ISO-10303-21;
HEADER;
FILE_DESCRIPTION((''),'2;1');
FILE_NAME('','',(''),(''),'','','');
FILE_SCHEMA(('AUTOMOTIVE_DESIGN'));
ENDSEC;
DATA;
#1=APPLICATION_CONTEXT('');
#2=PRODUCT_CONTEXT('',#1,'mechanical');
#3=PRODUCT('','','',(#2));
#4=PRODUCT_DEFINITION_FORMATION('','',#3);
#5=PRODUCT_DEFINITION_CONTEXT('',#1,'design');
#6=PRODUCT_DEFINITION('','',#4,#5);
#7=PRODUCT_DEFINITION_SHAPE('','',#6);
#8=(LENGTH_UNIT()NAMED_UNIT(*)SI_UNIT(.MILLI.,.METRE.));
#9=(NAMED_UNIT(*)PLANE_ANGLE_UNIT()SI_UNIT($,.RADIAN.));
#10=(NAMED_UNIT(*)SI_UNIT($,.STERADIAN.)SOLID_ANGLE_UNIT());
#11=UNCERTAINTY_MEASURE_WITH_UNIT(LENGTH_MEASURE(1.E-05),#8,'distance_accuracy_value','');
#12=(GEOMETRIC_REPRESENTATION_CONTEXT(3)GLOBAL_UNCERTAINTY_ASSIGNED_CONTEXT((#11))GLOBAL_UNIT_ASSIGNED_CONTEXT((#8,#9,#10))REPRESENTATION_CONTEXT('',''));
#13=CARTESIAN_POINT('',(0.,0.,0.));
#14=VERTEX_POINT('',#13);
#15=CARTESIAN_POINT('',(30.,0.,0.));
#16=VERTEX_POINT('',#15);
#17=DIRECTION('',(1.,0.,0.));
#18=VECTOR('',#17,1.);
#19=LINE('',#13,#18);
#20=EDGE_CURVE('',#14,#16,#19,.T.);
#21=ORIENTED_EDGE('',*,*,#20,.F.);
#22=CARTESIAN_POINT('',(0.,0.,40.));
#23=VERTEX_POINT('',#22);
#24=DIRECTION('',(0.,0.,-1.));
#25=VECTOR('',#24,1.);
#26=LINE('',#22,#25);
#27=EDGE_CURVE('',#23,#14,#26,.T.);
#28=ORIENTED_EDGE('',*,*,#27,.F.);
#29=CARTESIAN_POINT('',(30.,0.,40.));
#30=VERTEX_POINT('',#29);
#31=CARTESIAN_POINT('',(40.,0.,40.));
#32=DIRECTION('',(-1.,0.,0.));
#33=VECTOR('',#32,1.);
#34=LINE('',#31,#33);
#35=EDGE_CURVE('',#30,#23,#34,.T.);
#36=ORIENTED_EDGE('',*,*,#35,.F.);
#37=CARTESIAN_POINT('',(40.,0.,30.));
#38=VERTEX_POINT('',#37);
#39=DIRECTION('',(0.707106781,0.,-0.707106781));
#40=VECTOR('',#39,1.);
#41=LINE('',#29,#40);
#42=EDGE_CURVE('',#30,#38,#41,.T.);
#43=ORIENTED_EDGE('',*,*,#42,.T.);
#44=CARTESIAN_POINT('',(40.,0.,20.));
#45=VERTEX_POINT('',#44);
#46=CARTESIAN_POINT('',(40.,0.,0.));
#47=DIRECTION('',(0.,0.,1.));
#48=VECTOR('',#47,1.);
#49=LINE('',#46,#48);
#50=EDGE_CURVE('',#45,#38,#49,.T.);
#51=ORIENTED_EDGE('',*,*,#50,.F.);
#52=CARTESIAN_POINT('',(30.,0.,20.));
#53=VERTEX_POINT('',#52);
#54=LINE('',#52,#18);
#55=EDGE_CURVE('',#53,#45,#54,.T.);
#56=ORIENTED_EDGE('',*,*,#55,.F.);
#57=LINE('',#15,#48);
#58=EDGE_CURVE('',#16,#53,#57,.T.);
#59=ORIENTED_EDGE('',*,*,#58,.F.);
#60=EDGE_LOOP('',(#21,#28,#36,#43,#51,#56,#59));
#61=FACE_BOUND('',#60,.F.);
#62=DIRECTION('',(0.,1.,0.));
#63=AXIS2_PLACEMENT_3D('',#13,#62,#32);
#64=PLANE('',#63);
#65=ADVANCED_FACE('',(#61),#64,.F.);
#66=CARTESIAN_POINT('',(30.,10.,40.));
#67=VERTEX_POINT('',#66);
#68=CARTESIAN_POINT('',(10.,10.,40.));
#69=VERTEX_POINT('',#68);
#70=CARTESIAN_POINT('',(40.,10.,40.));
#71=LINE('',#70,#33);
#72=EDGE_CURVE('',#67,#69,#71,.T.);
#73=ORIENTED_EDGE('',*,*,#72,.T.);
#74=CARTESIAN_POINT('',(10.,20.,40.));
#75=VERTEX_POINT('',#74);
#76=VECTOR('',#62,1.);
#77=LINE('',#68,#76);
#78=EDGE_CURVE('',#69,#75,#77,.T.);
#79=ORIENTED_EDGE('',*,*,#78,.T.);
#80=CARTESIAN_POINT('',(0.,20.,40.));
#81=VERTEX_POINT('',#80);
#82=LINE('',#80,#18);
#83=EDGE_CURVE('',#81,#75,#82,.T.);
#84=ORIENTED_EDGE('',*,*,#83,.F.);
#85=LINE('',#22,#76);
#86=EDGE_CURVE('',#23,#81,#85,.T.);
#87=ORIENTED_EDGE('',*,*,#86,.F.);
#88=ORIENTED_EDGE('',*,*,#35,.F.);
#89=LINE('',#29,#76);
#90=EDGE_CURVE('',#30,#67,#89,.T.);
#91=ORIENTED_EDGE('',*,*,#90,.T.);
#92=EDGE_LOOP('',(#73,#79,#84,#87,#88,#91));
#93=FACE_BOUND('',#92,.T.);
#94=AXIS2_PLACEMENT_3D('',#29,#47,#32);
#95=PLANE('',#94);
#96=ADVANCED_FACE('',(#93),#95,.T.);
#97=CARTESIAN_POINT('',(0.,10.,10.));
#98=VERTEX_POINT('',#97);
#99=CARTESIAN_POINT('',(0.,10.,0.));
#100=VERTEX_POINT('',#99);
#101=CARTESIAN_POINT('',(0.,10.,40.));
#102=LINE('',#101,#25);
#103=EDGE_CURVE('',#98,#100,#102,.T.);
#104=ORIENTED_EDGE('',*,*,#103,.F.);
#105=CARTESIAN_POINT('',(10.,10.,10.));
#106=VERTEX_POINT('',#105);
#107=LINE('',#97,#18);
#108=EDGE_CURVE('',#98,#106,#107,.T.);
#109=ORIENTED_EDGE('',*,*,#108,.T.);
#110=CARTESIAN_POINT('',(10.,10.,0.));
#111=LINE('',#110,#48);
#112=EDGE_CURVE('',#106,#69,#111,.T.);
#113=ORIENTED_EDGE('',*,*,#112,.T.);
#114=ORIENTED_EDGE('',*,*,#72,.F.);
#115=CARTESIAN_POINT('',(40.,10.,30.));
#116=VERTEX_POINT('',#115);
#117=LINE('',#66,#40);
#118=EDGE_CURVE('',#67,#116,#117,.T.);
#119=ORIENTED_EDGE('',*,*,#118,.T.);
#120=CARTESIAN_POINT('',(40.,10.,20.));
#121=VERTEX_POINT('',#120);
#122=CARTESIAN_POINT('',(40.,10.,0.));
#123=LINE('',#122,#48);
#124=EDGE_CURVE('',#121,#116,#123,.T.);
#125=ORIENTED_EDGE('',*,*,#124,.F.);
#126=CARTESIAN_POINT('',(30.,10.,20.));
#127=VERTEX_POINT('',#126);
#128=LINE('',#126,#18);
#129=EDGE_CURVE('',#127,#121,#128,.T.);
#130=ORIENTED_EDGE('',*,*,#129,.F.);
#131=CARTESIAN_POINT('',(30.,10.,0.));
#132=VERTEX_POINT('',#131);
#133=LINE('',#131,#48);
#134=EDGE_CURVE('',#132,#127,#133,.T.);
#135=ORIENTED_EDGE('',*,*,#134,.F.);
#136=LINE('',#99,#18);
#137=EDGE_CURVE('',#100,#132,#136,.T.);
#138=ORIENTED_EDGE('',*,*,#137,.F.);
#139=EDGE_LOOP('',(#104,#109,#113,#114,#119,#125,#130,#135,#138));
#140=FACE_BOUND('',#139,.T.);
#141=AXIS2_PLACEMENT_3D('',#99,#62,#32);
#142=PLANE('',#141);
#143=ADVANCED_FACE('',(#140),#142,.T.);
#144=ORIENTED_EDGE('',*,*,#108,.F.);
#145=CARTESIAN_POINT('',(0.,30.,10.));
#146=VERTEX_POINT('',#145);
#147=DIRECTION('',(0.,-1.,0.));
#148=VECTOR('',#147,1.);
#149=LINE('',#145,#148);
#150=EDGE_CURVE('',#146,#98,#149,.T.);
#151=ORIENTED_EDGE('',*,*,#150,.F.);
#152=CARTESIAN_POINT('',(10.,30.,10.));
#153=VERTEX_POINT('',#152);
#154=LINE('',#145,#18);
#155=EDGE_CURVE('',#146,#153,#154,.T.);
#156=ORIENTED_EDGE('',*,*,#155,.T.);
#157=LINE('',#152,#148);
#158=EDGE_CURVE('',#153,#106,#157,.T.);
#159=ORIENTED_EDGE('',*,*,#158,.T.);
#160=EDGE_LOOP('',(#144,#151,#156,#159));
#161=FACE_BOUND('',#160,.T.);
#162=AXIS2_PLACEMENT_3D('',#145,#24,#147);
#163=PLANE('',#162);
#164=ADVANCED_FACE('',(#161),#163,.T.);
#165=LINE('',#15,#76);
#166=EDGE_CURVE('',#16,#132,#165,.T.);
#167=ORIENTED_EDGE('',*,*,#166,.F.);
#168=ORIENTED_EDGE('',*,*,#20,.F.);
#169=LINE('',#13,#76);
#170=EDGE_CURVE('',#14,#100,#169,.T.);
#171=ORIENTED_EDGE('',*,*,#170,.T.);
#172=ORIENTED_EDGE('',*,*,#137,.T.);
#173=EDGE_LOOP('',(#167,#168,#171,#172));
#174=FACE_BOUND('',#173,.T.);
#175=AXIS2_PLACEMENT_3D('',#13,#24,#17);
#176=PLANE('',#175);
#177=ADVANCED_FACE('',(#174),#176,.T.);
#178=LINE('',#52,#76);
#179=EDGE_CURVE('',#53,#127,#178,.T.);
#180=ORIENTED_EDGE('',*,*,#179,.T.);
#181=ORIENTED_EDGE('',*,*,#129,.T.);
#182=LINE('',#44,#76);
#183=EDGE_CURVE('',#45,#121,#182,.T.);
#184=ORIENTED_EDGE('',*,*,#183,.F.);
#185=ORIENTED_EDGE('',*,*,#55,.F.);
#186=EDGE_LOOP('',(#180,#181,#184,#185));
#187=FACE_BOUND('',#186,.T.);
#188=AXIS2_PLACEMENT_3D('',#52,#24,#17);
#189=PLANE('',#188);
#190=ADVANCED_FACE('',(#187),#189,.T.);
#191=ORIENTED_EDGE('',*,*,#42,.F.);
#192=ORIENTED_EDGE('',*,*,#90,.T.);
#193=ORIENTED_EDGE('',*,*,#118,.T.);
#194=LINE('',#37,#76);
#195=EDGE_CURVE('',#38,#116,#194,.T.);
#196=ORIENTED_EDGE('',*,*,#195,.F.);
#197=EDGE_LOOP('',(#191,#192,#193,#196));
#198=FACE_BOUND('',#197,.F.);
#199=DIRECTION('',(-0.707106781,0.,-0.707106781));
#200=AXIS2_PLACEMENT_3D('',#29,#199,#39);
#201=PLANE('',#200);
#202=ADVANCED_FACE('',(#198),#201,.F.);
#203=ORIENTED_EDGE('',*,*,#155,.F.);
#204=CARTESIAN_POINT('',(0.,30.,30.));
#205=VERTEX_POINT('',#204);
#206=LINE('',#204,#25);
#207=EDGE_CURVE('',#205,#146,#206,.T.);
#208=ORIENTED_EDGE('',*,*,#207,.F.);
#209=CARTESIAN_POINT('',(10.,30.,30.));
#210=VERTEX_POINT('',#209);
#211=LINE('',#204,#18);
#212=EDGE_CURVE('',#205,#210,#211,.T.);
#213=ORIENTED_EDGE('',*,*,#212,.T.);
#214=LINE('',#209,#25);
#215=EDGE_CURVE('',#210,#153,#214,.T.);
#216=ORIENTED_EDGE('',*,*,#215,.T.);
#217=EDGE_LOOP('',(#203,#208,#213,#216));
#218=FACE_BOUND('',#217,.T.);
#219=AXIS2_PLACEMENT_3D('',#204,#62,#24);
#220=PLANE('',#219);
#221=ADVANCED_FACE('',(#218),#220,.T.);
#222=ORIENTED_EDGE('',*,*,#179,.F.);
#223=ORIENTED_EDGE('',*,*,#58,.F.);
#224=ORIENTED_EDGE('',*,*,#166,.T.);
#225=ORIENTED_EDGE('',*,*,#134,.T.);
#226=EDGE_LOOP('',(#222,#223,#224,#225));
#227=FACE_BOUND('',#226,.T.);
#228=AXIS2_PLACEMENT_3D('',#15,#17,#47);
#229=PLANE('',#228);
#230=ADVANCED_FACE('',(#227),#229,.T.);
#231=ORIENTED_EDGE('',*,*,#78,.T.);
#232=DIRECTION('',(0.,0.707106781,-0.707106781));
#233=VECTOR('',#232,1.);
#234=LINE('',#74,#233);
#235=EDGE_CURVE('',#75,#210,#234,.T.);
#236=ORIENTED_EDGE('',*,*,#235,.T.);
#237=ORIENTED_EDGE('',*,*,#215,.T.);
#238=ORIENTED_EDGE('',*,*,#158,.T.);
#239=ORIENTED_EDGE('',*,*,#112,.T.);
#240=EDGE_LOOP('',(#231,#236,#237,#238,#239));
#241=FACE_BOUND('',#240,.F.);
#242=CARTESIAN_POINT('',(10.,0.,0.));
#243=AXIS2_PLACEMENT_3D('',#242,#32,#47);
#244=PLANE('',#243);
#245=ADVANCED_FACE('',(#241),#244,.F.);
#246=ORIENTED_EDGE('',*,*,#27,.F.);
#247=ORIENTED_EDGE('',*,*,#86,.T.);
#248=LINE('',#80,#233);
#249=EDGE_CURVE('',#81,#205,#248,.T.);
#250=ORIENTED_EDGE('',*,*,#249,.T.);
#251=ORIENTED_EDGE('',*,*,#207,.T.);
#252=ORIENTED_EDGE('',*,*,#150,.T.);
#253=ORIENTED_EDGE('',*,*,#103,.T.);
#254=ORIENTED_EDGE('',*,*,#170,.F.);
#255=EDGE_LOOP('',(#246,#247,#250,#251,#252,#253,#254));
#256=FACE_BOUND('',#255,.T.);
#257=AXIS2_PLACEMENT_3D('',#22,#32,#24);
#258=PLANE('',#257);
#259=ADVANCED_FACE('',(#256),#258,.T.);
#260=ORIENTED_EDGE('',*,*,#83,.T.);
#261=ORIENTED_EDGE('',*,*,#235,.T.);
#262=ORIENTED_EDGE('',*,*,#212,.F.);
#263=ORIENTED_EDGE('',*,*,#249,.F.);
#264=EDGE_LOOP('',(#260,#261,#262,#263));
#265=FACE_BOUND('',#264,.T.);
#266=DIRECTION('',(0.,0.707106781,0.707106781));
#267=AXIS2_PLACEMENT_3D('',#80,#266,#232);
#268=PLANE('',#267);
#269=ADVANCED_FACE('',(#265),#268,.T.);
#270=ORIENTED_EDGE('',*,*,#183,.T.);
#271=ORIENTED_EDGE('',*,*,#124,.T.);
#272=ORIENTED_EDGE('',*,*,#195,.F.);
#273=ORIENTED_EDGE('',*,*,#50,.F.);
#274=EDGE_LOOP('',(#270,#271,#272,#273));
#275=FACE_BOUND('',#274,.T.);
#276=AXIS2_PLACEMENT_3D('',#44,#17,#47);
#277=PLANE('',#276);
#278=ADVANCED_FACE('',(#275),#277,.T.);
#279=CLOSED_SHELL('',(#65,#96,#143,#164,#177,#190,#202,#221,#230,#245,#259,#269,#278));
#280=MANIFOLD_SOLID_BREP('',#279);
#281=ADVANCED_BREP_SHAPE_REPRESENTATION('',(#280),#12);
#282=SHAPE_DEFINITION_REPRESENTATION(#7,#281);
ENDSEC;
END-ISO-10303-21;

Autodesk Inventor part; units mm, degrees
ref_plane "YZ Plane" through (0, 0, 0) normal (1, 0, 0) x (0, 1, 0)
ref_plane "XZ Plane" through (0, 0, 0) normal (0, 1, 0) x (-1, 0, 0)
ref_plane "XY Plane" through (0, 0, 0) normal (0, 0, 1) x (1, 0, 0)
sketch "草圖1" plane through (0, 0, 0) normal (0, 1, 0) x (-1, 0, 0)
  line L0 (0, 0) -> (-40, 0)
  line L1 (-40, 0) -> (-40, 40)
  line L2 (-40, 40) -> (0, 40)
  line L3 (0, 40) -> (0, 0)
  line L4 (-30, 0) -> (-30, 20)
  line L5 (-30, 20) -> (-40, 20)
  line L6 (-30, 40) -> (-40, 30)
  dimension "d0" = 40
  dimension "d1" = 40
  dimension "d2" = 10
  dimension "d3" = 20
  dimension "d4" = 10
  dimension "d5" = 10
extrude "擠出1" add sketch "草圖1" along normal blind 10 contours L0 L4 L5 L1 L6 L2 L3
sketch "草圖2" plane through (0, 0, 0) normal (-1, 0, 0) x (0, 0, 1)
  line L0 (40, 10) -> (40, 0) projected
  line L1 (40, 0) -> (0, 0) projected
  line L2 (0, 0) -> (0, 10) projected
  line L3 (0, 10) -> (40, 10) projected
  line L4 (40, 10) -> (40, 20)
  line L5 (40, 20) -> (30, 30)
  line L6 (30, 30) -> (10, 30)
  line L7 (10, 30) -> (10, 10)
  line L8 (10, 10) -> (40, 10)
  dimension "d8" = 30
  dimension "d9" = 10
  dimension "d10" = 10
  dimension "d11" = 30
extrude "擠出2" add sketch "草圖2" against normal blind 10 contours L3 L7 L6 L5 L4
equation "\"d10\" = d9"
properties part number "10" material "鋼、碳鋼"
